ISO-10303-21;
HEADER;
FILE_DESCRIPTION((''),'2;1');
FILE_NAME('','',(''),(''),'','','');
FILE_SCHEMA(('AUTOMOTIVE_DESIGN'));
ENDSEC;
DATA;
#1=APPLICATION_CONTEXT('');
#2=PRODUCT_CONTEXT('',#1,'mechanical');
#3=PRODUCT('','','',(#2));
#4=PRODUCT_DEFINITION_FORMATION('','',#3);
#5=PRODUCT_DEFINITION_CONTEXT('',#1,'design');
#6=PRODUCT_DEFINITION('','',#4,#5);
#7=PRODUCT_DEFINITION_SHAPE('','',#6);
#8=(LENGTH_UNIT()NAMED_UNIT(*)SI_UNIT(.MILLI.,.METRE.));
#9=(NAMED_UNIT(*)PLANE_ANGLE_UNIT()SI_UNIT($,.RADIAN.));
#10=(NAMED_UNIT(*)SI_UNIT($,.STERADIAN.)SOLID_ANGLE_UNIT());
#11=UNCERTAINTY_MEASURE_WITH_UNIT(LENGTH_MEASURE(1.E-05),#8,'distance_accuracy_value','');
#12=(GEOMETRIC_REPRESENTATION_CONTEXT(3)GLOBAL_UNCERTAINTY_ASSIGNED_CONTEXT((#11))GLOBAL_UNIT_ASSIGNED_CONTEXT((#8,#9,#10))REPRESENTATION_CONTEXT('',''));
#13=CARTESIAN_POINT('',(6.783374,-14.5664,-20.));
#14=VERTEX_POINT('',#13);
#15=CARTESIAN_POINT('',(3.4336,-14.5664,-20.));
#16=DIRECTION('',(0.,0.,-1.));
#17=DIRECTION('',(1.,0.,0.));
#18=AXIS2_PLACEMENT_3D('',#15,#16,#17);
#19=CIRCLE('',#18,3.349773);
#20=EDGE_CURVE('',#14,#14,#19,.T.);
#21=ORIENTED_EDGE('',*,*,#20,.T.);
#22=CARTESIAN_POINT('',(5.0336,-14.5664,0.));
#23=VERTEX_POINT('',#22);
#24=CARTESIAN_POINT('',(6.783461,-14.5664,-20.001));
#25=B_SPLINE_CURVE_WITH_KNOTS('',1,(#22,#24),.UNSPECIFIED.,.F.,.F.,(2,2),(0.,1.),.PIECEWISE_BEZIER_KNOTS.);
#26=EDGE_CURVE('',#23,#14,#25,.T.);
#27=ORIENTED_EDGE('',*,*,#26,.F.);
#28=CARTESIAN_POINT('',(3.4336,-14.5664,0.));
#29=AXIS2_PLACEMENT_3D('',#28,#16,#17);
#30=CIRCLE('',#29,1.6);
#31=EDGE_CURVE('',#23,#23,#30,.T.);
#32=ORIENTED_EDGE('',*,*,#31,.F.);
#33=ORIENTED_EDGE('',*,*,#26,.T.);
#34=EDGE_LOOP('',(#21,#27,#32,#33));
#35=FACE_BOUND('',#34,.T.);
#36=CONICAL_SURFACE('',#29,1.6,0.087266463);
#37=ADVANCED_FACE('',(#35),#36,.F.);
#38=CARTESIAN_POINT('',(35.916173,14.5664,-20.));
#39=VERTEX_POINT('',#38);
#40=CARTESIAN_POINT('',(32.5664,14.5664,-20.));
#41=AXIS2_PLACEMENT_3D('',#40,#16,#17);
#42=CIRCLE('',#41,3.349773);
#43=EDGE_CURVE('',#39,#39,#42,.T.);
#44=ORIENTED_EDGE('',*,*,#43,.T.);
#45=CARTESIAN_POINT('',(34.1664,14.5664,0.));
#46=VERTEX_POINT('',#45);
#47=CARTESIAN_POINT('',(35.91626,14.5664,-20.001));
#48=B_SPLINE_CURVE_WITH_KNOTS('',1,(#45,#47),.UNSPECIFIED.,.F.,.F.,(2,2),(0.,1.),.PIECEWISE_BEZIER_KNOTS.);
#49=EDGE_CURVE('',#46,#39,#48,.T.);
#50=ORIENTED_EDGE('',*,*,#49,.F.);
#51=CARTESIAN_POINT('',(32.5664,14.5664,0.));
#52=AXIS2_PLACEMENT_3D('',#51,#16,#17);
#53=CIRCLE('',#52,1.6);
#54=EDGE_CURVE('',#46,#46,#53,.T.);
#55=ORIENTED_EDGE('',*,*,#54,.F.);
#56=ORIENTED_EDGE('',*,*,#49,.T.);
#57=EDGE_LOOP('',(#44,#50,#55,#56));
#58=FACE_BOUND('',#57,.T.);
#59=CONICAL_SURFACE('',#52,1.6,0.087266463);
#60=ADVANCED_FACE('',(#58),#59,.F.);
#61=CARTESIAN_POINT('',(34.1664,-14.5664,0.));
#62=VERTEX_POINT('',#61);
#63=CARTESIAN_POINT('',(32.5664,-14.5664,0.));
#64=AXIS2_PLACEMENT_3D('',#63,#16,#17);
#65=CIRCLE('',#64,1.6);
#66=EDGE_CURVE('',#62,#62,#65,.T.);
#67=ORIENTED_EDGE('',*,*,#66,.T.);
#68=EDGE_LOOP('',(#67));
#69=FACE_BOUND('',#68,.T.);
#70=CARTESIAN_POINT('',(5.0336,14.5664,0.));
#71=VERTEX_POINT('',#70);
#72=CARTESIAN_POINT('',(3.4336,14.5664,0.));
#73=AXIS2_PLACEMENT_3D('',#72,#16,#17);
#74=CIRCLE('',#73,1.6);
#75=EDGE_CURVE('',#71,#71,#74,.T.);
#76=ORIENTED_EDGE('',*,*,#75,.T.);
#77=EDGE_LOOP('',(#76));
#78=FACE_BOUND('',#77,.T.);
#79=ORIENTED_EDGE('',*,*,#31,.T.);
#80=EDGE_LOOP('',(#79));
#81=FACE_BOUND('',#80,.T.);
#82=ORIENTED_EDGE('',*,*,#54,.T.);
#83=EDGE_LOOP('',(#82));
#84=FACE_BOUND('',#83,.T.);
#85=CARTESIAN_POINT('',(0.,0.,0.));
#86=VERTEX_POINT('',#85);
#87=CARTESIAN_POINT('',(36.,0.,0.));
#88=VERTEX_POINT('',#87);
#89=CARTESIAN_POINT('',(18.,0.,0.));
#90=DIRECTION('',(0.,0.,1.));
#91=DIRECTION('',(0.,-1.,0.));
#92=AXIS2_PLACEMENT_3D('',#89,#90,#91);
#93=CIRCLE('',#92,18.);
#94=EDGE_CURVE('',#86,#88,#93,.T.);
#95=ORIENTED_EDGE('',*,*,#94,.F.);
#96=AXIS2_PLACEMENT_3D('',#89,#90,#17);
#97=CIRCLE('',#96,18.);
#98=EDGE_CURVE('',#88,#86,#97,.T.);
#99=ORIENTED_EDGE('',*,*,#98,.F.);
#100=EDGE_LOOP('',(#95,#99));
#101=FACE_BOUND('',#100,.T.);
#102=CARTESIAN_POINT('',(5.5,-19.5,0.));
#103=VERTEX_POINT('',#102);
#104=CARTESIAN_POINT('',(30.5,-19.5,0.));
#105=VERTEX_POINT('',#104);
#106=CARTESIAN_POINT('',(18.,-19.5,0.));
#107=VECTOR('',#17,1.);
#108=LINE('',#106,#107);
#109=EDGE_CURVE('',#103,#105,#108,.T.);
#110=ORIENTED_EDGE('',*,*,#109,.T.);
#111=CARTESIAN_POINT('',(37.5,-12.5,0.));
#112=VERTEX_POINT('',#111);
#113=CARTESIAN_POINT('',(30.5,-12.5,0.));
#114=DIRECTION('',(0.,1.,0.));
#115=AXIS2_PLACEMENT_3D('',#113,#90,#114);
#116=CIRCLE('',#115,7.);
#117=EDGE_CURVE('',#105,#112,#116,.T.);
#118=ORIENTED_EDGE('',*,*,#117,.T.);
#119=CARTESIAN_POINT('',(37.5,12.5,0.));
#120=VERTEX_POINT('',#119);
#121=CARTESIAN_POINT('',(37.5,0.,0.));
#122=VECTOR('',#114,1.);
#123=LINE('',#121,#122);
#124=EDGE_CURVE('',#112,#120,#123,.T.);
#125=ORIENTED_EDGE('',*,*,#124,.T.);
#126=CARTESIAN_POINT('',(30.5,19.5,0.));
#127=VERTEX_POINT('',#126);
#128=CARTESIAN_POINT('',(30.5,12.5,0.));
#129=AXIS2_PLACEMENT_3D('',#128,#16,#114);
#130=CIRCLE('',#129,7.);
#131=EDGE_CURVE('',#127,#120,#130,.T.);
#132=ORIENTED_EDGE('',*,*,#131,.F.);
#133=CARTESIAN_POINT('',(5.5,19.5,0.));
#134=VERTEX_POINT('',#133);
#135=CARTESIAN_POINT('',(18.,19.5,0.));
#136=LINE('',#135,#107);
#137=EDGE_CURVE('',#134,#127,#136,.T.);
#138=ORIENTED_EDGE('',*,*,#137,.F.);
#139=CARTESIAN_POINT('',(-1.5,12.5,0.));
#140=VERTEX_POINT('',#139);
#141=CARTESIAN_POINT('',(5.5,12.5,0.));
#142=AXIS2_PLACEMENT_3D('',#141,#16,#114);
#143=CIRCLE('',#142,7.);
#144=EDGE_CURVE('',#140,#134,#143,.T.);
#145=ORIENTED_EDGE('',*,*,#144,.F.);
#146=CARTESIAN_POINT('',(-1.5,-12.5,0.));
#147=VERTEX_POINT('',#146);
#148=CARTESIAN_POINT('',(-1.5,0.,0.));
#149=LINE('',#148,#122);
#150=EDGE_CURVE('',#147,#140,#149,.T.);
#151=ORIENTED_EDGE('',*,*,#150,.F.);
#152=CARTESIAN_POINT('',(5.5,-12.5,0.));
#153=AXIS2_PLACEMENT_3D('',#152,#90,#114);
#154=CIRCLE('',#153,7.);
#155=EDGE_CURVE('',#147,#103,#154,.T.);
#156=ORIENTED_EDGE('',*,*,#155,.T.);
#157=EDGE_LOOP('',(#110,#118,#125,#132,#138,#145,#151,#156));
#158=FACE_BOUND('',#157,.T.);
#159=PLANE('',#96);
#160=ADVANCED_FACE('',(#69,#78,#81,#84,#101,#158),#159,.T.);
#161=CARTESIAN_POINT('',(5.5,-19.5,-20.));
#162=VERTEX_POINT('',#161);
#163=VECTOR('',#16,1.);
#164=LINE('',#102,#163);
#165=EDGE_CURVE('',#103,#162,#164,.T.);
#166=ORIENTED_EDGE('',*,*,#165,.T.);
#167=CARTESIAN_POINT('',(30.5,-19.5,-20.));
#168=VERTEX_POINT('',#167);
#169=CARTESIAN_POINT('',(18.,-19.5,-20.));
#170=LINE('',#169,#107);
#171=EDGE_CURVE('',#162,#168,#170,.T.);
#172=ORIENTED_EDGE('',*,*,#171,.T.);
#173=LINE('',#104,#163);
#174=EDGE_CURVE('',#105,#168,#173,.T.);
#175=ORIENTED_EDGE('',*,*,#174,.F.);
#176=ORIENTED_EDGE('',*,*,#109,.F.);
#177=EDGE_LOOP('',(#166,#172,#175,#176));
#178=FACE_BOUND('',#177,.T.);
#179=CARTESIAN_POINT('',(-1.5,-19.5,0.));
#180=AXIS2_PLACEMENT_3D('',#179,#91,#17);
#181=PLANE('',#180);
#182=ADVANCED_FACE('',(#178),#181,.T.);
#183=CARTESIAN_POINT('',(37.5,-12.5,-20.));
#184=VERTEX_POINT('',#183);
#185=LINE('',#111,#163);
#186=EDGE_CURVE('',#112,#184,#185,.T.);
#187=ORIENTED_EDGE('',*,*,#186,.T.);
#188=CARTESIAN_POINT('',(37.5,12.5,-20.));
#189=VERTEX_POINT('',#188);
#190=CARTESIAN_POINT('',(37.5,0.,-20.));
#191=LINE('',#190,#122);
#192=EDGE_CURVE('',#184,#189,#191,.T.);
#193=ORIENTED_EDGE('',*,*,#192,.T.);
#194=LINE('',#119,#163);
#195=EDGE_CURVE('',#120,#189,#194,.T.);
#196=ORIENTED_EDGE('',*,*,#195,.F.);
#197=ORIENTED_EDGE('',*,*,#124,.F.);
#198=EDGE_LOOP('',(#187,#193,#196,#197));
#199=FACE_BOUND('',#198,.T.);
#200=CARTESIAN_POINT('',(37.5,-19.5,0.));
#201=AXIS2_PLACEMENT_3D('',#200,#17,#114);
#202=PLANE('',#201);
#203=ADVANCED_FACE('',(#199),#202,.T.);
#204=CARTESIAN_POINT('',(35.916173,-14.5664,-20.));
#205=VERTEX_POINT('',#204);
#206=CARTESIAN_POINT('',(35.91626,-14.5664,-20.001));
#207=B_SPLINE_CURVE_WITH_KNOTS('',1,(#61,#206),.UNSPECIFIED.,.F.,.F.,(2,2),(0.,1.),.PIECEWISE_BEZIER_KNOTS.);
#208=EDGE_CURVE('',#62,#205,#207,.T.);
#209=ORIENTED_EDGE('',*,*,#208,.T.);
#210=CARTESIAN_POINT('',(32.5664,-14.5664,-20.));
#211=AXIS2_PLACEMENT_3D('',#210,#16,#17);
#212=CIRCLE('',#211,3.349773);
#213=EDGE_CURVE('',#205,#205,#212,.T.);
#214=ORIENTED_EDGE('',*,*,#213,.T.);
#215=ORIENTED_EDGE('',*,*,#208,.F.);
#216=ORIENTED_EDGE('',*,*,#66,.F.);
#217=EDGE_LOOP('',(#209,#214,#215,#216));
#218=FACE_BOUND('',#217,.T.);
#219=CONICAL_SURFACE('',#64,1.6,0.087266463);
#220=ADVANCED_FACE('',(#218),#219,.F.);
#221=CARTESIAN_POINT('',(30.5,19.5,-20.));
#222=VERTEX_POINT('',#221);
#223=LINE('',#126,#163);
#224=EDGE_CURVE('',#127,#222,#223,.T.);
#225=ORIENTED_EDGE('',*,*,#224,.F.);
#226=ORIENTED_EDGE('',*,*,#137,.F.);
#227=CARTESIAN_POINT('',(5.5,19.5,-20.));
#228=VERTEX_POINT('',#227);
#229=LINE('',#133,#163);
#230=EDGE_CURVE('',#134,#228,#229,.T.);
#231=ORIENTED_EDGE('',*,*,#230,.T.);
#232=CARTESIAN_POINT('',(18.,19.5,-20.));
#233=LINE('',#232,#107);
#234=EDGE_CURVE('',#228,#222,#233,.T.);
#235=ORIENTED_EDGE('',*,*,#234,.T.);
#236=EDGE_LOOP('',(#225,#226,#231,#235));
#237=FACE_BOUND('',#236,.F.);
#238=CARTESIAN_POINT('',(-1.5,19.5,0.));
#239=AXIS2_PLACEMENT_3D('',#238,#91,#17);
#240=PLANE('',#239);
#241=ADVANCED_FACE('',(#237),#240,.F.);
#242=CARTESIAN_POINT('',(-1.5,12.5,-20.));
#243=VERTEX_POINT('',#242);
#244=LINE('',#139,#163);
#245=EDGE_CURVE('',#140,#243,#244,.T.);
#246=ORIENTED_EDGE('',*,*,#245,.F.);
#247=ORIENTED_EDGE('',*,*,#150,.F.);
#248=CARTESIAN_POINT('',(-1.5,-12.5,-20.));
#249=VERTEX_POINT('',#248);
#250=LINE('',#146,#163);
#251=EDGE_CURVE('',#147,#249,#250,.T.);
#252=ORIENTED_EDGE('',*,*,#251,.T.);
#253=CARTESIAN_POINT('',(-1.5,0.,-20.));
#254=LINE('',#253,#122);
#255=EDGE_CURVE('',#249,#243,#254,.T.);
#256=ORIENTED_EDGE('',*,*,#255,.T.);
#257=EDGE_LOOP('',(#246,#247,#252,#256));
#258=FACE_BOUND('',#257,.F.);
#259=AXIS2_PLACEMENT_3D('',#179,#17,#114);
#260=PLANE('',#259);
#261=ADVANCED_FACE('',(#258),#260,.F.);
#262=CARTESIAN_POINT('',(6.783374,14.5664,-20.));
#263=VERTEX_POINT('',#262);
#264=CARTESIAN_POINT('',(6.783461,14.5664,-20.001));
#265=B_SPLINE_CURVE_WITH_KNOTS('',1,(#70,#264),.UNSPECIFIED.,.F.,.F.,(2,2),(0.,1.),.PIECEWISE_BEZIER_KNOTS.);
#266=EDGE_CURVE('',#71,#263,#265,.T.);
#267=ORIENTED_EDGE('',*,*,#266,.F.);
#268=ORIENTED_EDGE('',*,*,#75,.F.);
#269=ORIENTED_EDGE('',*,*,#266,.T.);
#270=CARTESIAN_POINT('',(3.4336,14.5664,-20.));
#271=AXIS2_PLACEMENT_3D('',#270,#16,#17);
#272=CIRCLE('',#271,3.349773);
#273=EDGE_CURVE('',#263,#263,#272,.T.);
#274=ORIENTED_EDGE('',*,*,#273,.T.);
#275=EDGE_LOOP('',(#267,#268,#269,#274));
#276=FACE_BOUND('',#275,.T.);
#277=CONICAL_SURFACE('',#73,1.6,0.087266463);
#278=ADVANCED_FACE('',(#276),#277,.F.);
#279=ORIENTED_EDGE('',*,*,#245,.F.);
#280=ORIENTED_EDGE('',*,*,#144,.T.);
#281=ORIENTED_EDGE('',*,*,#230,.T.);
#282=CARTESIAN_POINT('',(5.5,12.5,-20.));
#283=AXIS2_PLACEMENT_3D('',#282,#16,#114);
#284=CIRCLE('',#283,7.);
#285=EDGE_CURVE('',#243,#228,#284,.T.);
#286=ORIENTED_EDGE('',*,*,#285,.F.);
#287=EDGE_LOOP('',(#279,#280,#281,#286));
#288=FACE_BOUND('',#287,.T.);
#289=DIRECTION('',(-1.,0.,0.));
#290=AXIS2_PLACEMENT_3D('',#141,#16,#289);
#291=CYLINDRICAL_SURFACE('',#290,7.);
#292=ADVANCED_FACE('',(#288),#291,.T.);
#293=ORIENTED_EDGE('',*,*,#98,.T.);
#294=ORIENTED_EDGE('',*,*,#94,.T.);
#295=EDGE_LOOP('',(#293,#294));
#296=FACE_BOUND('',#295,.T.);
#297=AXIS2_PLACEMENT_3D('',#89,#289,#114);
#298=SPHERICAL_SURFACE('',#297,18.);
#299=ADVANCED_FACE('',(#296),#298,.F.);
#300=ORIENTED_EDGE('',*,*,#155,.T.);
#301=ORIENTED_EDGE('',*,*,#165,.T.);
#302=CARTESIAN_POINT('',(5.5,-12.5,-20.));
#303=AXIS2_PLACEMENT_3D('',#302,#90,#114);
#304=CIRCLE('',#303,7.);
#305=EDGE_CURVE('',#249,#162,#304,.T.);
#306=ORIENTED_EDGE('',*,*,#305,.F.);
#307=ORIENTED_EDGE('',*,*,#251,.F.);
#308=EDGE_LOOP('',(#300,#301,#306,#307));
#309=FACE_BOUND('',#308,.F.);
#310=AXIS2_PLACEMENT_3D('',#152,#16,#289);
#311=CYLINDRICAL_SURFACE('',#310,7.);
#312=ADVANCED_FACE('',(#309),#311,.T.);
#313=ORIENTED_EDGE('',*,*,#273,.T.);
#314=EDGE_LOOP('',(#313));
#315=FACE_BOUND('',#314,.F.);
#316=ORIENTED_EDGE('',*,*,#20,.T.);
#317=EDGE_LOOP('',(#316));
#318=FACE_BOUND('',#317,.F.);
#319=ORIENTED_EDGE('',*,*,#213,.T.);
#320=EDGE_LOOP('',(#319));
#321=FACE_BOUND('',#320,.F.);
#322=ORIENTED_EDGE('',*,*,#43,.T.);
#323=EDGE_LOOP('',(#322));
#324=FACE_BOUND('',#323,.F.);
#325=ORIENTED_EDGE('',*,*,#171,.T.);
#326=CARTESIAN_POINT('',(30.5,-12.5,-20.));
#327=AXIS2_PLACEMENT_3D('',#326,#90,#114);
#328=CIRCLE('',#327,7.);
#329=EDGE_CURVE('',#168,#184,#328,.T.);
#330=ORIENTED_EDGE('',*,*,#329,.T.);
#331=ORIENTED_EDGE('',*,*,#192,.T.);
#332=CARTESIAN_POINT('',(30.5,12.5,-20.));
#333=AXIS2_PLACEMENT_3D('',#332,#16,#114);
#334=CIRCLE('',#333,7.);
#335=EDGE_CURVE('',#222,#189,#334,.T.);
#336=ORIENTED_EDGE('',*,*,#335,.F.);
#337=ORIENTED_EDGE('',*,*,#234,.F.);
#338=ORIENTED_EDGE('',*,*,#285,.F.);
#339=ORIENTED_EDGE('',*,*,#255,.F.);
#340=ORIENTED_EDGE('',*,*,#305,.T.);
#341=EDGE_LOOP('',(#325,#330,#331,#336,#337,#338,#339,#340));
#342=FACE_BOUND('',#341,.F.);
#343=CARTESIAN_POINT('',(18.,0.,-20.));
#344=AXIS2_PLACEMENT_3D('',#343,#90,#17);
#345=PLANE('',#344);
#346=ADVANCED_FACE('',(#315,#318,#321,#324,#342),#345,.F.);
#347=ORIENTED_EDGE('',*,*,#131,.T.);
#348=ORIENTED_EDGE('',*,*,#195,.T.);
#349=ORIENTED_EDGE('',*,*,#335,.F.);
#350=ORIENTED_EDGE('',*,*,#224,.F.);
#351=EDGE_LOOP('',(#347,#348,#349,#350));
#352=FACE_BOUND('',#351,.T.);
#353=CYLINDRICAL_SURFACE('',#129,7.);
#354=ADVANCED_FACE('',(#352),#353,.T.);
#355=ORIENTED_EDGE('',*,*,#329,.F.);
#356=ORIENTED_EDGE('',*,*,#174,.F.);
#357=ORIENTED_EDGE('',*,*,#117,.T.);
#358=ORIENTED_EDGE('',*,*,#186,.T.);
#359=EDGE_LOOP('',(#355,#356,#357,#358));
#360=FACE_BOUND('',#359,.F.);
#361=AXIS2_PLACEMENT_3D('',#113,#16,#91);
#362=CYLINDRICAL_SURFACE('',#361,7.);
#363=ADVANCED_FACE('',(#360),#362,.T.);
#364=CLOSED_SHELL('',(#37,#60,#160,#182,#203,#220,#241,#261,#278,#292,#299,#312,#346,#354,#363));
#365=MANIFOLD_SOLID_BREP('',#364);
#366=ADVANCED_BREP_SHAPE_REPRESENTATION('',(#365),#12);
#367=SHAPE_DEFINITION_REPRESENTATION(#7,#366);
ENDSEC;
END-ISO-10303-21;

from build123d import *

# Parameters (mm, degrees)
F2_W     = 39
F2_H     = 39
F3_DEPTH = 20
F5_R     = 7
F6_R     = 1.6
F7_DEPTH = 20.001
F7_TAPER = -5


with BuildPart() as f1:
    # F0 (on Top) → F1 (revolve)
    with BuildSketch(Plane.XY):
        with BuildLine():
            Line((0, 0), (36, 0))
            ThreePointArc((36, 0), (18, 18), (0, 0))
        make_face()
    revolve(axis=Axis((18, 0, 0), (1, 0, 0)))


with BuildPart() as f3:
    # F2 (on Top) → F3 (new body)
    with BuildSketch(Plane.XY):
        with Locations((18, 0)):
            Rectangle(F2_W, F2_H)
    extrude(amount=-F3_DEPTH)

    # F4: cut F1
    add(f1.part, mode=Mode.SUBTRACT)

    # F5
    f5_edges = [f3.edges().sort_by_distance(p)[0] for p in [
        (-1.5, -19.5, -10),
        (37.5, -19.5, -10),
        (37.5, 19.5, -10),
        (-1.5, 19.5, -10),
    ]]
    fillet(f5_edges, radius=F5_R)

    # F6 (on face) → F7 (cut, through all)
    with BuildSketch(Plane.XY):
        with Locations((32.5663996924, 14.5663996924)):
            Circle(F6_R)
        with Locations((3.4336003076, 14.5663996924)):
            Circle(F6_R)
        with Locations((3.4336003076, -14.5663996924)):
            Circle(F6_R)
        with Locations((32.5663996924, -14.5663996924)):
            Circle(F6_R)
    extrude(amount=-F7_DEPTH, taper=F7_TAPER, mode=Mode.SUBTRACT)


solid = f3.part
